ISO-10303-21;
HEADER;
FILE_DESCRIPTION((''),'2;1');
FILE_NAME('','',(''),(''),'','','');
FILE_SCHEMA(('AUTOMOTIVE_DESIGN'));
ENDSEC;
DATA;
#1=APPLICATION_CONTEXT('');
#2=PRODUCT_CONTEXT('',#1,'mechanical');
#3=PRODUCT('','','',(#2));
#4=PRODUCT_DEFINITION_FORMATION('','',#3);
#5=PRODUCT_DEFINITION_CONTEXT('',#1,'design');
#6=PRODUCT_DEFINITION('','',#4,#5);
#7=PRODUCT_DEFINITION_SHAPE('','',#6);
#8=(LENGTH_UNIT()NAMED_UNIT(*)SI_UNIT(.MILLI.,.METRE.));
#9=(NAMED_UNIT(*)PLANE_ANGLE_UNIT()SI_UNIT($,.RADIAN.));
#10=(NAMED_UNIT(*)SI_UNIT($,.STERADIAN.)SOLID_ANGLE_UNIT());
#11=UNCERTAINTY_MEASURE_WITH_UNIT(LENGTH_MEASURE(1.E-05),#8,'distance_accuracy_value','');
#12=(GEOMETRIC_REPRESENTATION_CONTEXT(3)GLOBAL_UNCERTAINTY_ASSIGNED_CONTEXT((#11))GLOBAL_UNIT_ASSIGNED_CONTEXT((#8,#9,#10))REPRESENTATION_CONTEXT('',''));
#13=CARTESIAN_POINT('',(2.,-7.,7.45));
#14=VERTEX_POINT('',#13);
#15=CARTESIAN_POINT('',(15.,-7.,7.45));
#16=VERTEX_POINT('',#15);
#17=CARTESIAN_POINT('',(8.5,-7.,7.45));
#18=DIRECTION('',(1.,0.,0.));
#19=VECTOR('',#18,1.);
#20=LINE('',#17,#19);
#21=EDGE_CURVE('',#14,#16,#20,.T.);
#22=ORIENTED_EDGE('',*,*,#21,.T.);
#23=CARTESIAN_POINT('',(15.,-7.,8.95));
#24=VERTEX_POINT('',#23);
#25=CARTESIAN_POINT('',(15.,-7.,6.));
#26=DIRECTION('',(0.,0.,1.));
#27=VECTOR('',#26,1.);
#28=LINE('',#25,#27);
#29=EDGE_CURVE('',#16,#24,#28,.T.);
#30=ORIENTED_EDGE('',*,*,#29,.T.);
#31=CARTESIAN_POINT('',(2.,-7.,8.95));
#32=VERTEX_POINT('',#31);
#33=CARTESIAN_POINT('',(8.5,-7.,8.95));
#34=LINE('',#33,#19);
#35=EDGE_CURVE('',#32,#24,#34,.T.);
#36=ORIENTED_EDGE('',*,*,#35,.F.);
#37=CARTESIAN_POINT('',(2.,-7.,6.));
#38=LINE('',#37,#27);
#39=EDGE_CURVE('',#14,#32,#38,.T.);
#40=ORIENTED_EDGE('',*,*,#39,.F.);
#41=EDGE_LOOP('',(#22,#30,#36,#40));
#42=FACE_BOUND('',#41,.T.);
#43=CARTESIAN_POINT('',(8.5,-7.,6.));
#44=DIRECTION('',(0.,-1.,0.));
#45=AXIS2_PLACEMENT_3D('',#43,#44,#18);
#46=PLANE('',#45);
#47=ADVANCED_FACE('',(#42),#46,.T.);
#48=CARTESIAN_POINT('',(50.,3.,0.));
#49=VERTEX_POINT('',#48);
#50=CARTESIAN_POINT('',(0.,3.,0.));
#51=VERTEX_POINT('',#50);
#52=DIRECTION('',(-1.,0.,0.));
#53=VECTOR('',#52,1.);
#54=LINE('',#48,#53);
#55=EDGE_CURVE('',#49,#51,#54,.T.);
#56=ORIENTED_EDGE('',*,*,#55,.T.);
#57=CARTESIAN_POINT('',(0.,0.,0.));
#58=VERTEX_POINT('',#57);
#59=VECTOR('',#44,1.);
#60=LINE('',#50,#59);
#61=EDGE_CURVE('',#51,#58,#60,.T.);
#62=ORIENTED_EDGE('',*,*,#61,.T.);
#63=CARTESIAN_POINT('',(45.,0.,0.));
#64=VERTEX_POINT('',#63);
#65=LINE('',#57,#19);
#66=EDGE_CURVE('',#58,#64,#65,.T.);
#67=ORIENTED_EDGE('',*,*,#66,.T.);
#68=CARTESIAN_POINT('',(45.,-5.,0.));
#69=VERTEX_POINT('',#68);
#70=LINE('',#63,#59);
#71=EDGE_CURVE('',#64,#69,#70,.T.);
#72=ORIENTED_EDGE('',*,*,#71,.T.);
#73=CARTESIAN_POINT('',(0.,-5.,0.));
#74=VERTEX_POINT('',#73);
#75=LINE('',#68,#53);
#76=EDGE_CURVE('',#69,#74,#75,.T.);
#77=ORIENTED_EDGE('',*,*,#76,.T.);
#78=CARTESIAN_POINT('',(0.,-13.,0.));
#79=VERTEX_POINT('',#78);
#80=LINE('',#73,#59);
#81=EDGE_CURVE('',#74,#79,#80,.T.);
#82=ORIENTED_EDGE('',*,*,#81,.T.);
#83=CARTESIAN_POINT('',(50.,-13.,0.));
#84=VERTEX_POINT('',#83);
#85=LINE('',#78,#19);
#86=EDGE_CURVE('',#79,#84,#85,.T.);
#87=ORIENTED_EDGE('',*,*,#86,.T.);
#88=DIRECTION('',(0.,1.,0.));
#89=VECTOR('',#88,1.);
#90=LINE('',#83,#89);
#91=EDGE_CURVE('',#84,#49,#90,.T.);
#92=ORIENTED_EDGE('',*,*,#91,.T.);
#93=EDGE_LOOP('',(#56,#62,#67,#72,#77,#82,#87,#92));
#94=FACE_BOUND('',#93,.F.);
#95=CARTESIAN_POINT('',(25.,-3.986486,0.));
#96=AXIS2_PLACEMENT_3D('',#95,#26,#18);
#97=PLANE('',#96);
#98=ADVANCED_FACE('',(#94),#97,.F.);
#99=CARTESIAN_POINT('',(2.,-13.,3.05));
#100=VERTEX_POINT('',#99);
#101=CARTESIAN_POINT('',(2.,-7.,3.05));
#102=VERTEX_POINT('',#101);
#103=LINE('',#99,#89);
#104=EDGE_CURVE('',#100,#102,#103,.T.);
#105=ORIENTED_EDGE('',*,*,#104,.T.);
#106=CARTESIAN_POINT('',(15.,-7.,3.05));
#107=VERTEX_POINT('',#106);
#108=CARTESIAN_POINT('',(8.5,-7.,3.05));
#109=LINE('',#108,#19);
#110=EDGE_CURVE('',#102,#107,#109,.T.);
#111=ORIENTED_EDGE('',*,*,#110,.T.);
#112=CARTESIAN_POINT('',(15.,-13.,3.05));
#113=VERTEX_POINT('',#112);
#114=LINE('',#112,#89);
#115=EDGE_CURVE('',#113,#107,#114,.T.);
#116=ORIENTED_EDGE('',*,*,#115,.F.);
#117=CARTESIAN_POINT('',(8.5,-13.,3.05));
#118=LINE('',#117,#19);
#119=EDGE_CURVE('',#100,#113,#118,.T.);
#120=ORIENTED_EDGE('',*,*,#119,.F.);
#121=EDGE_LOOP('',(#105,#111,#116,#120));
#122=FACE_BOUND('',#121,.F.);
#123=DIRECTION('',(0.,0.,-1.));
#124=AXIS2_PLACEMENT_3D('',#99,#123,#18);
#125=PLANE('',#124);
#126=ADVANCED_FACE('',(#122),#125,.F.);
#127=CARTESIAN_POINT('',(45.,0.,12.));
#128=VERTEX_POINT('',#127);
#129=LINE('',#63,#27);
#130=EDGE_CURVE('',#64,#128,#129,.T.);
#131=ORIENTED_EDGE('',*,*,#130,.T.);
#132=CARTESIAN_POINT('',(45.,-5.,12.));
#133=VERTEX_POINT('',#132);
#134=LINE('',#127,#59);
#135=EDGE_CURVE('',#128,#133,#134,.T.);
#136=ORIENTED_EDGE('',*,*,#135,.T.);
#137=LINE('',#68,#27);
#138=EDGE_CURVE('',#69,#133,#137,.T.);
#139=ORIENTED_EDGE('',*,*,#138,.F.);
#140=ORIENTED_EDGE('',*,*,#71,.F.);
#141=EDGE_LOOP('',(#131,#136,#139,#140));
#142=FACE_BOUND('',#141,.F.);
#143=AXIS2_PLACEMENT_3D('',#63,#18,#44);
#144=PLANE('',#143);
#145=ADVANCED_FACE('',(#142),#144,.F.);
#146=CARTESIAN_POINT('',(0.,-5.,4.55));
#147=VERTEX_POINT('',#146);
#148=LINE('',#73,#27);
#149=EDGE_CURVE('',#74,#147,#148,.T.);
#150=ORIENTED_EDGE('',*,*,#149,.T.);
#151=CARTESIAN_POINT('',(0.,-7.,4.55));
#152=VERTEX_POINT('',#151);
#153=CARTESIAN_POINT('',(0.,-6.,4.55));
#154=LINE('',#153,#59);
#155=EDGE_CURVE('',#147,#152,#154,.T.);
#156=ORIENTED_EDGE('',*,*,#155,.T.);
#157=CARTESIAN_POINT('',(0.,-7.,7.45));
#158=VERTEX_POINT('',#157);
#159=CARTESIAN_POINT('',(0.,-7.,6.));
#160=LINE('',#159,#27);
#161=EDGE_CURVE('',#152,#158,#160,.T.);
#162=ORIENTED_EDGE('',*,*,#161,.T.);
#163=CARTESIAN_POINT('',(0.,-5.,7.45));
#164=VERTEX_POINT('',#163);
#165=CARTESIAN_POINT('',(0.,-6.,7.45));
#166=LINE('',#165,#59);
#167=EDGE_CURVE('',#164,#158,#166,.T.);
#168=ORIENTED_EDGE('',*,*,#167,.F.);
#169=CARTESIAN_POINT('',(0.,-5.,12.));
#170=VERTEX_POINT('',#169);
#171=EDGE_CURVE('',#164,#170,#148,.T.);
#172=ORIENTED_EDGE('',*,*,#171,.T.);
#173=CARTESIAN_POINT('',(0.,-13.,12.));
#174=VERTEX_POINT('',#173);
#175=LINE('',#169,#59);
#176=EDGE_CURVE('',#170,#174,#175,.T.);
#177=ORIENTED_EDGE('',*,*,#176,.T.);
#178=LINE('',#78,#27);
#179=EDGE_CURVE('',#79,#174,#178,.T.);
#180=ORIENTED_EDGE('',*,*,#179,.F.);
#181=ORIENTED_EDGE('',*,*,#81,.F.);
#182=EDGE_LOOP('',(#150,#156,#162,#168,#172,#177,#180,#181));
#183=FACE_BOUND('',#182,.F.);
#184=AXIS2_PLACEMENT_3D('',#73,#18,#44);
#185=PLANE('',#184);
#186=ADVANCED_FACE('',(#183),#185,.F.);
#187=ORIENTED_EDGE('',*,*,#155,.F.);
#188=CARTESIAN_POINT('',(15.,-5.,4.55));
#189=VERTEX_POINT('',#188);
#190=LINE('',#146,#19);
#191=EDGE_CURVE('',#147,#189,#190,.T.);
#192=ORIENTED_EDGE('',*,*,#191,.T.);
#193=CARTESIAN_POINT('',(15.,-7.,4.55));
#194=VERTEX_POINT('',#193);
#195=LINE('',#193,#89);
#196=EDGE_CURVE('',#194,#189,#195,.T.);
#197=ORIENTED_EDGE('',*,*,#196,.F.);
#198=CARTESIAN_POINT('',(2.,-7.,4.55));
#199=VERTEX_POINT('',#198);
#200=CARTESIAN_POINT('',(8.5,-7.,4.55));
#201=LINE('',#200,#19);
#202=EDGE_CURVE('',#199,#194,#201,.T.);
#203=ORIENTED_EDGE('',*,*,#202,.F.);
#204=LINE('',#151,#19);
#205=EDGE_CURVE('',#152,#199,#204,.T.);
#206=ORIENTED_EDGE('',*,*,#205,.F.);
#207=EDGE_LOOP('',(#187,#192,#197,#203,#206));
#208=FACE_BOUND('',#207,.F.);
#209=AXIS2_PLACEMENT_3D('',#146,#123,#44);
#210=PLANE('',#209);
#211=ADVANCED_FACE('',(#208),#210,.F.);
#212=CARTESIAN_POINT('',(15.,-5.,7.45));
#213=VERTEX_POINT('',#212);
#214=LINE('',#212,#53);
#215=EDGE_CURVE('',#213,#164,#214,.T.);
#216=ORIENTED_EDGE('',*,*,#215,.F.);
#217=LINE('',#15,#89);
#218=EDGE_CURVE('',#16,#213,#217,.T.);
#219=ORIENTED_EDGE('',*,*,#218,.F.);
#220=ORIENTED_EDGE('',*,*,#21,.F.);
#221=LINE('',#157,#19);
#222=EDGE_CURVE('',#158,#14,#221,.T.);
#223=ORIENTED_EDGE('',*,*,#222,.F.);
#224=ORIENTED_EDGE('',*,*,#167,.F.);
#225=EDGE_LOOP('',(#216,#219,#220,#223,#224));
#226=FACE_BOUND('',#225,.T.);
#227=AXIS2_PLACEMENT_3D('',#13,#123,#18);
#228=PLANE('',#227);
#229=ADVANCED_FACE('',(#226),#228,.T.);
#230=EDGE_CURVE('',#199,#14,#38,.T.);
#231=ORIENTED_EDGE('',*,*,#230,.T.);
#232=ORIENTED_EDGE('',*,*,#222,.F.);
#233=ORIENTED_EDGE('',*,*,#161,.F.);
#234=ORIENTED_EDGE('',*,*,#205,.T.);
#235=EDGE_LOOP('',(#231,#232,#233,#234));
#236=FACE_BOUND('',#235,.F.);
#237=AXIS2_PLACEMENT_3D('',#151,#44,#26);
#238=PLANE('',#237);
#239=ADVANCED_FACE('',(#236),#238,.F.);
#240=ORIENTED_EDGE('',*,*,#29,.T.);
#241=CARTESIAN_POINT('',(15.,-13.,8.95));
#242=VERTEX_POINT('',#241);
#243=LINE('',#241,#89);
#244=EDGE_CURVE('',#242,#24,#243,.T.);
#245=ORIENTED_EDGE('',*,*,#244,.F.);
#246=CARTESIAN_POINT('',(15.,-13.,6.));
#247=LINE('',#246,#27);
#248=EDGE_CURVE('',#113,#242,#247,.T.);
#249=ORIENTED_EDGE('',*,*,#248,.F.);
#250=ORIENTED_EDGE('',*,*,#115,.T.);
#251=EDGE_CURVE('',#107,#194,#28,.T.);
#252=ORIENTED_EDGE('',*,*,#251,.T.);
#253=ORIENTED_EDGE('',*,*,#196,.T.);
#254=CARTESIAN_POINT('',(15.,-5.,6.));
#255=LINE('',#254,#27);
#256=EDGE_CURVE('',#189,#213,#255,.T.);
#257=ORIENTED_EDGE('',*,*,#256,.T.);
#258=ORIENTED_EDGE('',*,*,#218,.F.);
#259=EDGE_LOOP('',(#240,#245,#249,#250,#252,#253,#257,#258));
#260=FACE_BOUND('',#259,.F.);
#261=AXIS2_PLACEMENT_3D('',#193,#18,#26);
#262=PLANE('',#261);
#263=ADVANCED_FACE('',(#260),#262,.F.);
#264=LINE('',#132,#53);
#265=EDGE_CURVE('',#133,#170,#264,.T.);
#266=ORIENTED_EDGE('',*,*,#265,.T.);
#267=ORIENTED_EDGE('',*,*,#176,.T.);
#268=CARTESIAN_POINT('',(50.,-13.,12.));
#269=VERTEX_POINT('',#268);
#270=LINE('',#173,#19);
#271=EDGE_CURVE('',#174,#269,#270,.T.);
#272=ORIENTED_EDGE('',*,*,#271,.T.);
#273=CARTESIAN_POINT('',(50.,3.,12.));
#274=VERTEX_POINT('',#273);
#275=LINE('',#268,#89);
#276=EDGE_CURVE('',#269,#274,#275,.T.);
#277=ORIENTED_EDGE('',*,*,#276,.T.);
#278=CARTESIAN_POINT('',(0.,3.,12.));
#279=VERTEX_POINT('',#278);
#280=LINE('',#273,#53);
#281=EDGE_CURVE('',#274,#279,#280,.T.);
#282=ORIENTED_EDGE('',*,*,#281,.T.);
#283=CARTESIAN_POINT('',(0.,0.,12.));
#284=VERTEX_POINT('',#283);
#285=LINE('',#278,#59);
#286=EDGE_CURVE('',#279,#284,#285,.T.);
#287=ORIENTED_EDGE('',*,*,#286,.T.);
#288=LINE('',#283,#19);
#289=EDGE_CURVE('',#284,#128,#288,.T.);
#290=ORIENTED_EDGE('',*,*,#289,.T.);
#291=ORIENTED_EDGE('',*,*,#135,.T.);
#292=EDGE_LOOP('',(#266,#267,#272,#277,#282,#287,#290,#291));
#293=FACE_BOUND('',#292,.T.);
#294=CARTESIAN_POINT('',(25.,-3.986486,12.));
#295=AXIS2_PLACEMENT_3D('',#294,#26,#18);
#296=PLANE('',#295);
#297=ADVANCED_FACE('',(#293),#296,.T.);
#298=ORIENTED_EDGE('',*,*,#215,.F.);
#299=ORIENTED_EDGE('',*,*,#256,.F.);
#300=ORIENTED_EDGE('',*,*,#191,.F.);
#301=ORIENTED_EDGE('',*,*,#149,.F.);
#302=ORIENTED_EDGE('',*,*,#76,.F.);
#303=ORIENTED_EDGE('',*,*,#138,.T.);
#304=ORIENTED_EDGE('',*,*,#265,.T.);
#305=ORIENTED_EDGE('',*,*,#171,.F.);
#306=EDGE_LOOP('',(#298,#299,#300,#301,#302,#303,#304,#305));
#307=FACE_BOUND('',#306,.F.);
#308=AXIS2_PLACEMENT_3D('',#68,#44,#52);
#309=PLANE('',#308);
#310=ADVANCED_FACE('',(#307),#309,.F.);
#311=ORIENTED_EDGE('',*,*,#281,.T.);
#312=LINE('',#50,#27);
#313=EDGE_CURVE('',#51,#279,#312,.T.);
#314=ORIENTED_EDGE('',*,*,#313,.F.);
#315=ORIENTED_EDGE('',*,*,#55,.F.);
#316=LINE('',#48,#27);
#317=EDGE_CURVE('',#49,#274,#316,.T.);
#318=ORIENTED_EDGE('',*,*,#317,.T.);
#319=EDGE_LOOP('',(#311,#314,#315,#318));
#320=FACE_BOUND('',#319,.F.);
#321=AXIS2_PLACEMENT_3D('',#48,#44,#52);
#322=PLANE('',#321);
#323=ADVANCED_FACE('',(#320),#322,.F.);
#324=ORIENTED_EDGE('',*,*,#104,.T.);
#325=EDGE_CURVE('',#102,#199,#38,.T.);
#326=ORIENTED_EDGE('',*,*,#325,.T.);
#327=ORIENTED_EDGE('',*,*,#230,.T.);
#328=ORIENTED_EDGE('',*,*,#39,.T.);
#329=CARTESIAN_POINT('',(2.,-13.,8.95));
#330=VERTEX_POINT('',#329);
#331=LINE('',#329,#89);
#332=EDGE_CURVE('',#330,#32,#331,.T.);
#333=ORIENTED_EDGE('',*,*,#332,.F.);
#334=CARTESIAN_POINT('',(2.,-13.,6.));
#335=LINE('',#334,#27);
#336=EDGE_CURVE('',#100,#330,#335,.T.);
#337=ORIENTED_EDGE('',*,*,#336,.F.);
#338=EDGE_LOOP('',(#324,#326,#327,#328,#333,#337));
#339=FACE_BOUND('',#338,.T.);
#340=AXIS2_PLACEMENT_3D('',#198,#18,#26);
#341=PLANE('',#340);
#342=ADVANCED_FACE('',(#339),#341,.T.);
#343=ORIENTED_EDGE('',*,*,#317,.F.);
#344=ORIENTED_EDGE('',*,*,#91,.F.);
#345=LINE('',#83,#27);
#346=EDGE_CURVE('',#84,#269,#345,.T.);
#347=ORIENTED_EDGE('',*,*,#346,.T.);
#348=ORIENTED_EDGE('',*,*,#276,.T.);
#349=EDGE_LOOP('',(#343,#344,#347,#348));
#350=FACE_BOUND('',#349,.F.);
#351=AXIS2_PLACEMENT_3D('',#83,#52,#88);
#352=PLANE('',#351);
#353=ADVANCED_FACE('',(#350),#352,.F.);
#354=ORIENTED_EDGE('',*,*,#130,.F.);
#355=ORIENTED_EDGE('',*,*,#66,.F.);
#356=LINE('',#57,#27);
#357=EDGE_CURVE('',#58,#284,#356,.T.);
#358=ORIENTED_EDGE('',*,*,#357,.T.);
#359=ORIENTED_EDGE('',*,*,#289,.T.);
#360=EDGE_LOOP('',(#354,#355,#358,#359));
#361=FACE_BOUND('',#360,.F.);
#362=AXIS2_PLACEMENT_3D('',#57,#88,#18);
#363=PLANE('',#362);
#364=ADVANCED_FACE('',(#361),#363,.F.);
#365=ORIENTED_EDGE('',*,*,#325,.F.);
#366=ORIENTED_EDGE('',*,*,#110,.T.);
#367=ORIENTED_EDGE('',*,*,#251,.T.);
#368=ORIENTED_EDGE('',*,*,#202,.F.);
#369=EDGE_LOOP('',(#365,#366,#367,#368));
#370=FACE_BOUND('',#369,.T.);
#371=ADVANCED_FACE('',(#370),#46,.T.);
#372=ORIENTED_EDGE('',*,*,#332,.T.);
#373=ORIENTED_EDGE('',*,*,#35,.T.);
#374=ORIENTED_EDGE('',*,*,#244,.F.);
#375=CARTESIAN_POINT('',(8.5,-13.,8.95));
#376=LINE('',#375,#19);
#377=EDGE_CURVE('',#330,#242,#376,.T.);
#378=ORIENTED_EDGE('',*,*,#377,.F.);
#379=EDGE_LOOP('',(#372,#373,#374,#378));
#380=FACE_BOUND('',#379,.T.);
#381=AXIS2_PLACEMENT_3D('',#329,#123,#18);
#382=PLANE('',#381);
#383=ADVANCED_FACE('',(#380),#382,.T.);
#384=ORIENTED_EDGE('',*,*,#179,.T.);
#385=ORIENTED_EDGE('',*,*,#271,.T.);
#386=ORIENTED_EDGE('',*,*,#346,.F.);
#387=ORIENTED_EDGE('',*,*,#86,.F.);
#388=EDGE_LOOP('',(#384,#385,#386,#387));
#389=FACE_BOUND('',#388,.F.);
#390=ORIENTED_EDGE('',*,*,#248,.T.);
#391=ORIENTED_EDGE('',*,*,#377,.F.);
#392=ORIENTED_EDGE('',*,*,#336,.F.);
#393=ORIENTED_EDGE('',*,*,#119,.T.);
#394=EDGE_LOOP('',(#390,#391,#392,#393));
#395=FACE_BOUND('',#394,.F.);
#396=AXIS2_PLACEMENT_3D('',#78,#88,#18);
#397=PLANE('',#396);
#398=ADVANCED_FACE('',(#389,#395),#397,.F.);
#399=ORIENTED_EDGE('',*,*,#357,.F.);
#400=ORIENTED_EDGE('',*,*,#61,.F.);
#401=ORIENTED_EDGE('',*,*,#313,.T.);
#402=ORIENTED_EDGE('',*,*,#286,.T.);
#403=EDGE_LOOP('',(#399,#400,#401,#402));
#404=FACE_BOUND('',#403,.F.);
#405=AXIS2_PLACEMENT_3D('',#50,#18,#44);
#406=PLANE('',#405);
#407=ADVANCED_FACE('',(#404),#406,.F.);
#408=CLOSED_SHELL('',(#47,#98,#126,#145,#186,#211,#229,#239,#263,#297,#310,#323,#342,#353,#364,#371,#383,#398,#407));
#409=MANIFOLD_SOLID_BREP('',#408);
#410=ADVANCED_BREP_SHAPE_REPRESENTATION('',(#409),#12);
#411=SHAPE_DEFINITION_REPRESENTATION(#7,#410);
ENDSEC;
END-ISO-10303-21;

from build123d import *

# Parameters (mm, degrees)
F1_DEPTH = 12
F2_W     = 13
F2_H     = 5.9
F3_DEPTH = 6
F4_W     = 13
F4_H     = 2.9
F5_DEPTH = 2
F6_W     = 2
F6_H     = 2.9
F7_DEPTH = 2


with BuildPart() as f1:
    # F0 (on Top) → F1 (new body)
    with BuildSketch(Plane.XY):
        Polygon((0, 3), (0, 0), (45, 0), (45, -5), (0, -5), (0, -13), (50, -13), (50, 3), align=None)
    extrude(amount=F1_DEPTH)

    # F2 (on face) → F3 (cut)
    with BuildSketch(Plane.XZ.offset(13)):
        with Locations((8.5, 6)):
            Rectangle(F2_W, F2_H)
    extrude(amount=-F3_DEPTH, mode=Mode.SUBTRACT)

    # F4 (on face) → F5 (cut, through all)
    with BuildSketch(Plane.XZ.offset(7)):
        with Locations((8.5, 6)):
            Rectangle(F4_W, F4_H)
    extrude(amount=-F5_DEPTH, mode=Mode.SUBTRACT)

    # F6 (on face) → F7 (cut, through all)
    with BuildSketch(Plane(origin=(0, 0, 0), x_dir=(0, -1, 0), z_dir=(-1, 0, 0))):
        with Locations((6, 6)):
            Rectangle(F6_W, F6_H)
    extrude(amount=-F7_DEPTH, mode=Mode.SUBTRACT)


solid = f1.part
